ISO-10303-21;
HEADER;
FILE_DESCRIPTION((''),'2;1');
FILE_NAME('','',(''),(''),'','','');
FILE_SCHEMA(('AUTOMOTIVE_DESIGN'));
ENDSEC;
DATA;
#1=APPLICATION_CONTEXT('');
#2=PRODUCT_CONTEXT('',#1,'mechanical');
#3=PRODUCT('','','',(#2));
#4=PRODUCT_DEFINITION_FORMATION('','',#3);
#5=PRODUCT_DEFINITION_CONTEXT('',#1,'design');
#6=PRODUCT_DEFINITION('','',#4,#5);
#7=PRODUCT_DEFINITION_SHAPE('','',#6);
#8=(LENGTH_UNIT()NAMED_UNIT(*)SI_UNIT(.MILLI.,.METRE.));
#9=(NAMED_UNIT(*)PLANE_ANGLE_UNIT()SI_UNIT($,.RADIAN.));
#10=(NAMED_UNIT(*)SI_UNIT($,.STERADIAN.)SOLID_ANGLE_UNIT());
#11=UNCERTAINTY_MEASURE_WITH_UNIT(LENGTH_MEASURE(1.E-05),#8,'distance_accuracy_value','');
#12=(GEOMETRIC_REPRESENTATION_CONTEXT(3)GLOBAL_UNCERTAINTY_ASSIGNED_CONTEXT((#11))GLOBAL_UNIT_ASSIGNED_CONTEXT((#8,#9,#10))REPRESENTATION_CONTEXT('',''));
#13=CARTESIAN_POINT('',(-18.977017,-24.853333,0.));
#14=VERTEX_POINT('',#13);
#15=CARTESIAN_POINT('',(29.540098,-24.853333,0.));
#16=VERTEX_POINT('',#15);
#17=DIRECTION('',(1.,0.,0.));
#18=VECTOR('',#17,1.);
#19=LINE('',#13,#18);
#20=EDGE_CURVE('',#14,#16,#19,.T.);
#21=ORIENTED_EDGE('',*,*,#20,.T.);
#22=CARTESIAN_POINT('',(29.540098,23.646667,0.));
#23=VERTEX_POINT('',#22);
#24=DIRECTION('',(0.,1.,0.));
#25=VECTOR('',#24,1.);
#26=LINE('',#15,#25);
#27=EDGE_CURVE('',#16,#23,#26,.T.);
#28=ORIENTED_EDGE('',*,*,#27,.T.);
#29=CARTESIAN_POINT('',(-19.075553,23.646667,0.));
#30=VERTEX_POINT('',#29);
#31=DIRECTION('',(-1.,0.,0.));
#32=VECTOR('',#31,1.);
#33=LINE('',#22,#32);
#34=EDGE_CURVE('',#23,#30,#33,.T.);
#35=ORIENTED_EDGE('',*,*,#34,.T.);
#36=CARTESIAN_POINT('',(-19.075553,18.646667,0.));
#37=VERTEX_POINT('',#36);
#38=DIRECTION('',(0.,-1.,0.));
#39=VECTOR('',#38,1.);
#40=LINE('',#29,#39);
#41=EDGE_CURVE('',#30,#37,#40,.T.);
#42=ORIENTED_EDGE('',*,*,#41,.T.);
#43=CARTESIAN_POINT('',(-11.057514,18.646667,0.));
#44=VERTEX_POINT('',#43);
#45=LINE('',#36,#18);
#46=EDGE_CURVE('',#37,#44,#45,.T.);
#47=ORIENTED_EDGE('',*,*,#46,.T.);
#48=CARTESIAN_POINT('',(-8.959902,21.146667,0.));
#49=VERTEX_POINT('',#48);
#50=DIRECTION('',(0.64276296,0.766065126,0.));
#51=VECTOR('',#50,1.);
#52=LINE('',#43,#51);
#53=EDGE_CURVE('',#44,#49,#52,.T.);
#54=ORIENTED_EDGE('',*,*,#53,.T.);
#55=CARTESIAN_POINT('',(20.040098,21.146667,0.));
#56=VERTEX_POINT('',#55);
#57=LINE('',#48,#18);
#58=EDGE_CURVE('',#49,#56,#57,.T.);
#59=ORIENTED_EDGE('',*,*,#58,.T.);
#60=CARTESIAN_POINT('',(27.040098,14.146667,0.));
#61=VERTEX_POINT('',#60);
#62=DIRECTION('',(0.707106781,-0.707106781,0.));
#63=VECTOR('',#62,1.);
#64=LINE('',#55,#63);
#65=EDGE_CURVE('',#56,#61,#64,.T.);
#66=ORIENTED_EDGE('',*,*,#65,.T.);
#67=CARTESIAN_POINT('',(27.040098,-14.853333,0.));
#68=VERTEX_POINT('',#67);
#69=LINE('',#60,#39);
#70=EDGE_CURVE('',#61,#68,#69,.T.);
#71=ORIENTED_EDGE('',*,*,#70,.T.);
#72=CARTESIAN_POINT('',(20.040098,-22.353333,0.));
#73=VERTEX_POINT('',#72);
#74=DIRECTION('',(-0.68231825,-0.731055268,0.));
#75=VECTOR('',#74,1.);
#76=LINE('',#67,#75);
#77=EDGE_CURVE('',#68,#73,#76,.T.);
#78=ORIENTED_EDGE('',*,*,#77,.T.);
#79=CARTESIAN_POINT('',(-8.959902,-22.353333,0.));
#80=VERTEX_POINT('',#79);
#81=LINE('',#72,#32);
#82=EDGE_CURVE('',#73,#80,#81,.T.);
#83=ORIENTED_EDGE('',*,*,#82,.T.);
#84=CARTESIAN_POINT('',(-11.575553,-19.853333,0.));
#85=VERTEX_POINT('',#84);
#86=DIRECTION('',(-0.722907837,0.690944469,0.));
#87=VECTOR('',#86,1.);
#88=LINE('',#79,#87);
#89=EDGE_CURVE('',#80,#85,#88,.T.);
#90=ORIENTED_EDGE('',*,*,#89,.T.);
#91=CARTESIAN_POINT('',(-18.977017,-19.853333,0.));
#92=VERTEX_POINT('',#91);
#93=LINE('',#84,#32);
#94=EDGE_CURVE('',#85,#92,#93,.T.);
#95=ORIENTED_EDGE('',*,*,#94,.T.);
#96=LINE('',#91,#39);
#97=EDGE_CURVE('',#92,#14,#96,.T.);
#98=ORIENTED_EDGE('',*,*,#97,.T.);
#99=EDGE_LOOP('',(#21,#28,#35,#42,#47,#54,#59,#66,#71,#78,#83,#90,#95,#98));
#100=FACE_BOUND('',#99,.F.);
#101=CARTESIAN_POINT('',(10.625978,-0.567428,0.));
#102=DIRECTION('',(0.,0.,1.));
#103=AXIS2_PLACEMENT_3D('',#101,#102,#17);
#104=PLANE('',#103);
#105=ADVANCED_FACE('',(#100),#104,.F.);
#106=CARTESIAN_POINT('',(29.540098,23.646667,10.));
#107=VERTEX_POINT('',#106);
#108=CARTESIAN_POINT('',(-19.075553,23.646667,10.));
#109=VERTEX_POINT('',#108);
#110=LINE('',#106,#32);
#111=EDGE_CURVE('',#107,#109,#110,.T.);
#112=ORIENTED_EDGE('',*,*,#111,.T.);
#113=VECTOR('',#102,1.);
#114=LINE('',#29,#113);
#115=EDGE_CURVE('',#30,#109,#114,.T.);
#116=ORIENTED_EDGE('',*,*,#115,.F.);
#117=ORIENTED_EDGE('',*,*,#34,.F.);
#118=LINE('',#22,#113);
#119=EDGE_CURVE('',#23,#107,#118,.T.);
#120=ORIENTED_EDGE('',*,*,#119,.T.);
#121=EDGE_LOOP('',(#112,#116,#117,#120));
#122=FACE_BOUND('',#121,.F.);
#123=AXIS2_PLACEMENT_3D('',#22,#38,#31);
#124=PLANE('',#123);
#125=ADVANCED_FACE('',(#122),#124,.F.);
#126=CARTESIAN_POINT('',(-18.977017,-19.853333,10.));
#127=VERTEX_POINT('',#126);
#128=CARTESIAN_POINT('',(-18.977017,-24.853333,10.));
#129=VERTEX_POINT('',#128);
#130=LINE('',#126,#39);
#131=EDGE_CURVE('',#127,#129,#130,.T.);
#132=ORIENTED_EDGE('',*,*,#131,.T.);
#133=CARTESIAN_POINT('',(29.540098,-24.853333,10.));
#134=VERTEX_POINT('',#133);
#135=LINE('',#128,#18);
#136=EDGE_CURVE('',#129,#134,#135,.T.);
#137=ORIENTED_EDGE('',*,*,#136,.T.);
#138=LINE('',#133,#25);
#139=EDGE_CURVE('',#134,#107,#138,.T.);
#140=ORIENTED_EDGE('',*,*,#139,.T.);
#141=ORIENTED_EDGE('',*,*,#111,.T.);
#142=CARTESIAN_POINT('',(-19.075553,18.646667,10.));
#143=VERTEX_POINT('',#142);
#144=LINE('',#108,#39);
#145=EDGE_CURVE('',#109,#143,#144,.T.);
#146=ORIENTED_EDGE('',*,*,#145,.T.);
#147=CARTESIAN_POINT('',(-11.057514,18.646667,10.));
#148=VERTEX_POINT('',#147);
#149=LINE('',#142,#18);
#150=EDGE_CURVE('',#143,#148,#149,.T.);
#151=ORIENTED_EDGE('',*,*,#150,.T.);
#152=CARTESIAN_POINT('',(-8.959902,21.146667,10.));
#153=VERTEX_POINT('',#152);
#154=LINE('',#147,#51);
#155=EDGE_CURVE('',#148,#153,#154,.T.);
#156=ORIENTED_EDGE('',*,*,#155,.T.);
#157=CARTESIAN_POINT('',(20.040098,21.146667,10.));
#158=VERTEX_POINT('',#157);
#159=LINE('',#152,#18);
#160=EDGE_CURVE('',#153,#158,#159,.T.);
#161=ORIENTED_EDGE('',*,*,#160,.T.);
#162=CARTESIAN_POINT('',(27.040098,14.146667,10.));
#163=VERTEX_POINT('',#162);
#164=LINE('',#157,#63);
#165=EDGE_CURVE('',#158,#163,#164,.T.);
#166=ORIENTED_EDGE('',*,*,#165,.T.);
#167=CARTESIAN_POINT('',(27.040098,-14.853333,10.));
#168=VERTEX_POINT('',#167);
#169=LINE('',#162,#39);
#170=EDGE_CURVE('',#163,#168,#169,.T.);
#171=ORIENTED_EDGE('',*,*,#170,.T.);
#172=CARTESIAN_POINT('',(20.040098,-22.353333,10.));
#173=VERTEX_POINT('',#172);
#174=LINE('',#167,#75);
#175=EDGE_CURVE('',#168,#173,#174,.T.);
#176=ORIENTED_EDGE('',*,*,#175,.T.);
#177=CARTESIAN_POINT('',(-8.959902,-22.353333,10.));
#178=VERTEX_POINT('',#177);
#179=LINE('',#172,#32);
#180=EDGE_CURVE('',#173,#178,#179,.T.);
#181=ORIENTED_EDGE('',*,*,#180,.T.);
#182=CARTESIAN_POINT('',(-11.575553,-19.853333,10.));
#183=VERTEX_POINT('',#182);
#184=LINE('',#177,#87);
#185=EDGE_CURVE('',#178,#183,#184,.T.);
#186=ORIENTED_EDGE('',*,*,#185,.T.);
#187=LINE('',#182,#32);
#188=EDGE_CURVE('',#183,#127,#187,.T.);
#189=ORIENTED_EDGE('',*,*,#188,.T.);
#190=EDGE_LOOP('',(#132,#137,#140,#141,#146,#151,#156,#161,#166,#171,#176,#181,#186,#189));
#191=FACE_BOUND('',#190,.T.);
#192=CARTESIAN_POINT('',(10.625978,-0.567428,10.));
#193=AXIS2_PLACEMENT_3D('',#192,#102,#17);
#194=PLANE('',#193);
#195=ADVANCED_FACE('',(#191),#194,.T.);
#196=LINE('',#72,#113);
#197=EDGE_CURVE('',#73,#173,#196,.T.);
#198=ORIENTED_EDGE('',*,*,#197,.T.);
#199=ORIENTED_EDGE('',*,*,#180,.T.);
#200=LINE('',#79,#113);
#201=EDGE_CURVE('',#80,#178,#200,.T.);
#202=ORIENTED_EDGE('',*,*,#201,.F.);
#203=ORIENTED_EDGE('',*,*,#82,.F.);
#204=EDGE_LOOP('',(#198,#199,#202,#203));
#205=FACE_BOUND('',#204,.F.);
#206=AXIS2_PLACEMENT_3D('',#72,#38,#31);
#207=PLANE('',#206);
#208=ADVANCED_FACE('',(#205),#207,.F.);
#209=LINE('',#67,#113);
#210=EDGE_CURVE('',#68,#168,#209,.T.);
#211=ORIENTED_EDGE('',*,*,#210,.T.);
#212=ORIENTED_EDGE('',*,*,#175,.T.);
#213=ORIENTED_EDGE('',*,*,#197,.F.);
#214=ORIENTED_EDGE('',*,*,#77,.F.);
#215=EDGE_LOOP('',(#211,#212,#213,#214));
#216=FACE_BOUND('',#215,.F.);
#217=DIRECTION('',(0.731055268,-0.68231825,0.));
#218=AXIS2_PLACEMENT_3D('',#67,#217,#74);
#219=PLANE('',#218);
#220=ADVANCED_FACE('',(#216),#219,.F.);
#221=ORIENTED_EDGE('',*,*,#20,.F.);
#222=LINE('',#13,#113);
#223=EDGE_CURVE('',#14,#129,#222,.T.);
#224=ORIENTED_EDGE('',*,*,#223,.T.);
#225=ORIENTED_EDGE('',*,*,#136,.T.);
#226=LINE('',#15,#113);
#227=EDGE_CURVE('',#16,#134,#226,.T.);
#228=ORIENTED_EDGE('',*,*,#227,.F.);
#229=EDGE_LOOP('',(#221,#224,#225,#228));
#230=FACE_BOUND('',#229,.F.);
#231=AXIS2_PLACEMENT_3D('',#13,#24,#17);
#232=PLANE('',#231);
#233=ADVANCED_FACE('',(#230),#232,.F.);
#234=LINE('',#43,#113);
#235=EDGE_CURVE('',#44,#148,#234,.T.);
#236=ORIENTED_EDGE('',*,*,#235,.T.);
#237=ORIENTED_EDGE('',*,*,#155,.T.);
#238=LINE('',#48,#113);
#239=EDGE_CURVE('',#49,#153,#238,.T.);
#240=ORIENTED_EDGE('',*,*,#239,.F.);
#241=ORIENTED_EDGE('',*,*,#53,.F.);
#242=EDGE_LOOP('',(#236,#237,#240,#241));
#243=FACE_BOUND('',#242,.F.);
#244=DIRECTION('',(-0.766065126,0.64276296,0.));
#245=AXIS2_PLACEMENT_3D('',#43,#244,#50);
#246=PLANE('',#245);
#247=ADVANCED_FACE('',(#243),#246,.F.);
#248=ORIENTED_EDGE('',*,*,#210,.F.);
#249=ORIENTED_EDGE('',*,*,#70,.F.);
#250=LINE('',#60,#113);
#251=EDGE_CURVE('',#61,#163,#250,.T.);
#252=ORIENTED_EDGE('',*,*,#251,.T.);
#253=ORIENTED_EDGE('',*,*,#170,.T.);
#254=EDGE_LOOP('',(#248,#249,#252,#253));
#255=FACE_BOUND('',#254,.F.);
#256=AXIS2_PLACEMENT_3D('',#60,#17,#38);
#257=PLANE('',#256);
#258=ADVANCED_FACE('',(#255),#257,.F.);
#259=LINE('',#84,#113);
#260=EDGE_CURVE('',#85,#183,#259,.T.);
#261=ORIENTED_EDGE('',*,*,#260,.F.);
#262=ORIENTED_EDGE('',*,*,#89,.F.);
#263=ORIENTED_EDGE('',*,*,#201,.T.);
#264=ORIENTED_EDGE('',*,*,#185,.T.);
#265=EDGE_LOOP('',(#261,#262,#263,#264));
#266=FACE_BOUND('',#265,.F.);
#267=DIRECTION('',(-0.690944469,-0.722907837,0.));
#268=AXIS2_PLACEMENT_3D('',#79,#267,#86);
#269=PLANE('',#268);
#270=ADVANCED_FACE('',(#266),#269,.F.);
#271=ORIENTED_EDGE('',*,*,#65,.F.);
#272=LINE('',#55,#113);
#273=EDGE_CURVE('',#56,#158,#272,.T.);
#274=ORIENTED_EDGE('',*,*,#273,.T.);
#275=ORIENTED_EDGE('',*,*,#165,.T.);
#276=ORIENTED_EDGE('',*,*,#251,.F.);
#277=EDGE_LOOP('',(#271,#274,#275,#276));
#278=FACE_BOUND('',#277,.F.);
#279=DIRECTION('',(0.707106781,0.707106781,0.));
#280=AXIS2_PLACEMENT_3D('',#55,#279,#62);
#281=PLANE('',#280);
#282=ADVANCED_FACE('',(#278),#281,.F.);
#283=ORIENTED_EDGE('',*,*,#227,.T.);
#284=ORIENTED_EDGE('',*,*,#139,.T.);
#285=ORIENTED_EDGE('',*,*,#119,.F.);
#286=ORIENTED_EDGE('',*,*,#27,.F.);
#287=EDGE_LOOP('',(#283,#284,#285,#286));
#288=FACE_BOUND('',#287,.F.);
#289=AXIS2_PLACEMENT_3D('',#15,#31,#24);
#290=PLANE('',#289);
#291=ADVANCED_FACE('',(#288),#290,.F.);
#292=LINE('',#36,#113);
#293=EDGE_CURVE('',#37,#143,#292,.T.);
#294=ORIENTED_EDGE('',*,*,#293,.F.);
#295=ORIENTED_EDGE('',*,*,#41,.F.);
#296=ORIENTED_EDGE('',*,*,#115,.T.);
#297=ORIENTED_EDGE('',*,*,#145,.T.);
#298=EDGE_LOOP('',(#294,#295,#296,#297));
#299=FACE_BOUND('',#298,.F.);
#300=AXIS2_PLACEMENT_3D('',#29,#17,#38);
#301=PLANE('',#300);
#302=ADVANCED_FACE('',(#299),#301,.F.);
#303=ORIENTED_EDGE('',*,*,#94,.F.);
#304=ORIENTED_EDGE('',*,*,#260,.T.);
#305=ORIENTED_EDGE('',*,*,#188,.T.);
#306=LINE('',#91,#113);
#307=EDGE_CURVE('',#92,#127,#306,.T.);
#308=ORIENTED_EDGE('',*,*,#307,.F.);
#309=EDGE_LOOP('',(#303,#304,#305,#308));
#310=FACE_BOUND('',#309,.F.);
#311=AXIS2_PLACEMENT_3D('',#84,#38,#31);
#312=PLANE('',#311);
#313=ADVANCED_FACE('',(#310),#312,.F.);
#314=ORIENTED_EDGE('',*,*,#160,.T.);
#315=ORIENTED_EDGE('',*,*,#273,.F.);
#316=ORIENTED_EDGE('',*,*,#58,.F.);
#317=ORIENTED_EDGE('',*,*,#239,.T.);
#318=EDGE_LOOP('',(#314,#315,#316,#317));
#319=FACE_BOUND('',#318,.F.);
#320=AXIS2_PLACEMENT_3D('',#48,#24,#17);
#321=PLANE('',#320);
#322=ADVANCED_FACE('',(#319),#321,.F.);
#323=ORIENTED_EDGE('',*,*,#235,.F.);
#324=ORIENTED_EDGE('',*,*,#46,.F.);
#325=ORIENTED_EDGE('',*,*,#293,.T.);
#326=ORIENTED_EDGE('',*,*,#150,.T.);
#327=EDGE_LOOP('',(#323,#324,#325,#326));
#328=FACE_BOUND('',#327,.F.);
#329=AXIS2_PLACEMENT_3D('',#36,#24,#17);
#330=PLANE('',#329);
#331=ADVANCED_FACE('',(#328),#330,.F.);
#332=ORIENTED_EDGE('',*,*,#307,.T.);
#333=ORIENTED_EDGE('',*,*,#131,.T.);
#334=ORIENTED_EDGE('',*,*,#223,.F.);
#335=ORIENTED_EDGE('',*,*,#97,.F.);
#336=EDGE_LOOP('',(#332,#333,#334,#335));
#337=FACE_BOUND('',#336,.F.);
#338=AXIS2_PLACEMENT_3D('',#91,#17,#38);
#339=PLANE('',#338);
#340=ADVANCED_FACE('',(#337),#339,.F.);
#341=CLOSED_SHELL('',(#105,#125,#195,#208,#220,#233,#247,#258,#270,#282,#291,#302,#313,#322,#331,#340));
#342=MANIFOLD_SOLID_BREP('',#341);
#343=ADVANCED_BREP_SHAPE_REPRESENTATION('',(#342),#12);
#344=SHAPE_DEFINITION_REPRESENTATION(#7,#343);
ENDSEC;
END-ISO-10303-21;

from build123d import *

# Parameters (mm, degrees)
PAD_DEPTH = 10


with BuildPart() as part:
    # Sketch (on XY_Plane of Origin) → Pad (new body)
    with BuildSketch(Plane.XY):
        Polygon((-8.959902, 21.146667), (20.040098, 21.146667), (27.040098, 14.146667), (27.040098, -14.853333), (20.040098, -22.353333), (-8.959902, -22.353333), (-11.575553, -19.853333), (-18.977017, -19.853333), (-18.977017, -24.853333), (29.540098, -24.853333), (29.540098, 23.646667), (-19.075553, 23.646667), (-19.075553, 18.646667), (-11.057514, 18.646667), align=None)
    extrude(amount=PAD_DEPTH)


solid = part.part
